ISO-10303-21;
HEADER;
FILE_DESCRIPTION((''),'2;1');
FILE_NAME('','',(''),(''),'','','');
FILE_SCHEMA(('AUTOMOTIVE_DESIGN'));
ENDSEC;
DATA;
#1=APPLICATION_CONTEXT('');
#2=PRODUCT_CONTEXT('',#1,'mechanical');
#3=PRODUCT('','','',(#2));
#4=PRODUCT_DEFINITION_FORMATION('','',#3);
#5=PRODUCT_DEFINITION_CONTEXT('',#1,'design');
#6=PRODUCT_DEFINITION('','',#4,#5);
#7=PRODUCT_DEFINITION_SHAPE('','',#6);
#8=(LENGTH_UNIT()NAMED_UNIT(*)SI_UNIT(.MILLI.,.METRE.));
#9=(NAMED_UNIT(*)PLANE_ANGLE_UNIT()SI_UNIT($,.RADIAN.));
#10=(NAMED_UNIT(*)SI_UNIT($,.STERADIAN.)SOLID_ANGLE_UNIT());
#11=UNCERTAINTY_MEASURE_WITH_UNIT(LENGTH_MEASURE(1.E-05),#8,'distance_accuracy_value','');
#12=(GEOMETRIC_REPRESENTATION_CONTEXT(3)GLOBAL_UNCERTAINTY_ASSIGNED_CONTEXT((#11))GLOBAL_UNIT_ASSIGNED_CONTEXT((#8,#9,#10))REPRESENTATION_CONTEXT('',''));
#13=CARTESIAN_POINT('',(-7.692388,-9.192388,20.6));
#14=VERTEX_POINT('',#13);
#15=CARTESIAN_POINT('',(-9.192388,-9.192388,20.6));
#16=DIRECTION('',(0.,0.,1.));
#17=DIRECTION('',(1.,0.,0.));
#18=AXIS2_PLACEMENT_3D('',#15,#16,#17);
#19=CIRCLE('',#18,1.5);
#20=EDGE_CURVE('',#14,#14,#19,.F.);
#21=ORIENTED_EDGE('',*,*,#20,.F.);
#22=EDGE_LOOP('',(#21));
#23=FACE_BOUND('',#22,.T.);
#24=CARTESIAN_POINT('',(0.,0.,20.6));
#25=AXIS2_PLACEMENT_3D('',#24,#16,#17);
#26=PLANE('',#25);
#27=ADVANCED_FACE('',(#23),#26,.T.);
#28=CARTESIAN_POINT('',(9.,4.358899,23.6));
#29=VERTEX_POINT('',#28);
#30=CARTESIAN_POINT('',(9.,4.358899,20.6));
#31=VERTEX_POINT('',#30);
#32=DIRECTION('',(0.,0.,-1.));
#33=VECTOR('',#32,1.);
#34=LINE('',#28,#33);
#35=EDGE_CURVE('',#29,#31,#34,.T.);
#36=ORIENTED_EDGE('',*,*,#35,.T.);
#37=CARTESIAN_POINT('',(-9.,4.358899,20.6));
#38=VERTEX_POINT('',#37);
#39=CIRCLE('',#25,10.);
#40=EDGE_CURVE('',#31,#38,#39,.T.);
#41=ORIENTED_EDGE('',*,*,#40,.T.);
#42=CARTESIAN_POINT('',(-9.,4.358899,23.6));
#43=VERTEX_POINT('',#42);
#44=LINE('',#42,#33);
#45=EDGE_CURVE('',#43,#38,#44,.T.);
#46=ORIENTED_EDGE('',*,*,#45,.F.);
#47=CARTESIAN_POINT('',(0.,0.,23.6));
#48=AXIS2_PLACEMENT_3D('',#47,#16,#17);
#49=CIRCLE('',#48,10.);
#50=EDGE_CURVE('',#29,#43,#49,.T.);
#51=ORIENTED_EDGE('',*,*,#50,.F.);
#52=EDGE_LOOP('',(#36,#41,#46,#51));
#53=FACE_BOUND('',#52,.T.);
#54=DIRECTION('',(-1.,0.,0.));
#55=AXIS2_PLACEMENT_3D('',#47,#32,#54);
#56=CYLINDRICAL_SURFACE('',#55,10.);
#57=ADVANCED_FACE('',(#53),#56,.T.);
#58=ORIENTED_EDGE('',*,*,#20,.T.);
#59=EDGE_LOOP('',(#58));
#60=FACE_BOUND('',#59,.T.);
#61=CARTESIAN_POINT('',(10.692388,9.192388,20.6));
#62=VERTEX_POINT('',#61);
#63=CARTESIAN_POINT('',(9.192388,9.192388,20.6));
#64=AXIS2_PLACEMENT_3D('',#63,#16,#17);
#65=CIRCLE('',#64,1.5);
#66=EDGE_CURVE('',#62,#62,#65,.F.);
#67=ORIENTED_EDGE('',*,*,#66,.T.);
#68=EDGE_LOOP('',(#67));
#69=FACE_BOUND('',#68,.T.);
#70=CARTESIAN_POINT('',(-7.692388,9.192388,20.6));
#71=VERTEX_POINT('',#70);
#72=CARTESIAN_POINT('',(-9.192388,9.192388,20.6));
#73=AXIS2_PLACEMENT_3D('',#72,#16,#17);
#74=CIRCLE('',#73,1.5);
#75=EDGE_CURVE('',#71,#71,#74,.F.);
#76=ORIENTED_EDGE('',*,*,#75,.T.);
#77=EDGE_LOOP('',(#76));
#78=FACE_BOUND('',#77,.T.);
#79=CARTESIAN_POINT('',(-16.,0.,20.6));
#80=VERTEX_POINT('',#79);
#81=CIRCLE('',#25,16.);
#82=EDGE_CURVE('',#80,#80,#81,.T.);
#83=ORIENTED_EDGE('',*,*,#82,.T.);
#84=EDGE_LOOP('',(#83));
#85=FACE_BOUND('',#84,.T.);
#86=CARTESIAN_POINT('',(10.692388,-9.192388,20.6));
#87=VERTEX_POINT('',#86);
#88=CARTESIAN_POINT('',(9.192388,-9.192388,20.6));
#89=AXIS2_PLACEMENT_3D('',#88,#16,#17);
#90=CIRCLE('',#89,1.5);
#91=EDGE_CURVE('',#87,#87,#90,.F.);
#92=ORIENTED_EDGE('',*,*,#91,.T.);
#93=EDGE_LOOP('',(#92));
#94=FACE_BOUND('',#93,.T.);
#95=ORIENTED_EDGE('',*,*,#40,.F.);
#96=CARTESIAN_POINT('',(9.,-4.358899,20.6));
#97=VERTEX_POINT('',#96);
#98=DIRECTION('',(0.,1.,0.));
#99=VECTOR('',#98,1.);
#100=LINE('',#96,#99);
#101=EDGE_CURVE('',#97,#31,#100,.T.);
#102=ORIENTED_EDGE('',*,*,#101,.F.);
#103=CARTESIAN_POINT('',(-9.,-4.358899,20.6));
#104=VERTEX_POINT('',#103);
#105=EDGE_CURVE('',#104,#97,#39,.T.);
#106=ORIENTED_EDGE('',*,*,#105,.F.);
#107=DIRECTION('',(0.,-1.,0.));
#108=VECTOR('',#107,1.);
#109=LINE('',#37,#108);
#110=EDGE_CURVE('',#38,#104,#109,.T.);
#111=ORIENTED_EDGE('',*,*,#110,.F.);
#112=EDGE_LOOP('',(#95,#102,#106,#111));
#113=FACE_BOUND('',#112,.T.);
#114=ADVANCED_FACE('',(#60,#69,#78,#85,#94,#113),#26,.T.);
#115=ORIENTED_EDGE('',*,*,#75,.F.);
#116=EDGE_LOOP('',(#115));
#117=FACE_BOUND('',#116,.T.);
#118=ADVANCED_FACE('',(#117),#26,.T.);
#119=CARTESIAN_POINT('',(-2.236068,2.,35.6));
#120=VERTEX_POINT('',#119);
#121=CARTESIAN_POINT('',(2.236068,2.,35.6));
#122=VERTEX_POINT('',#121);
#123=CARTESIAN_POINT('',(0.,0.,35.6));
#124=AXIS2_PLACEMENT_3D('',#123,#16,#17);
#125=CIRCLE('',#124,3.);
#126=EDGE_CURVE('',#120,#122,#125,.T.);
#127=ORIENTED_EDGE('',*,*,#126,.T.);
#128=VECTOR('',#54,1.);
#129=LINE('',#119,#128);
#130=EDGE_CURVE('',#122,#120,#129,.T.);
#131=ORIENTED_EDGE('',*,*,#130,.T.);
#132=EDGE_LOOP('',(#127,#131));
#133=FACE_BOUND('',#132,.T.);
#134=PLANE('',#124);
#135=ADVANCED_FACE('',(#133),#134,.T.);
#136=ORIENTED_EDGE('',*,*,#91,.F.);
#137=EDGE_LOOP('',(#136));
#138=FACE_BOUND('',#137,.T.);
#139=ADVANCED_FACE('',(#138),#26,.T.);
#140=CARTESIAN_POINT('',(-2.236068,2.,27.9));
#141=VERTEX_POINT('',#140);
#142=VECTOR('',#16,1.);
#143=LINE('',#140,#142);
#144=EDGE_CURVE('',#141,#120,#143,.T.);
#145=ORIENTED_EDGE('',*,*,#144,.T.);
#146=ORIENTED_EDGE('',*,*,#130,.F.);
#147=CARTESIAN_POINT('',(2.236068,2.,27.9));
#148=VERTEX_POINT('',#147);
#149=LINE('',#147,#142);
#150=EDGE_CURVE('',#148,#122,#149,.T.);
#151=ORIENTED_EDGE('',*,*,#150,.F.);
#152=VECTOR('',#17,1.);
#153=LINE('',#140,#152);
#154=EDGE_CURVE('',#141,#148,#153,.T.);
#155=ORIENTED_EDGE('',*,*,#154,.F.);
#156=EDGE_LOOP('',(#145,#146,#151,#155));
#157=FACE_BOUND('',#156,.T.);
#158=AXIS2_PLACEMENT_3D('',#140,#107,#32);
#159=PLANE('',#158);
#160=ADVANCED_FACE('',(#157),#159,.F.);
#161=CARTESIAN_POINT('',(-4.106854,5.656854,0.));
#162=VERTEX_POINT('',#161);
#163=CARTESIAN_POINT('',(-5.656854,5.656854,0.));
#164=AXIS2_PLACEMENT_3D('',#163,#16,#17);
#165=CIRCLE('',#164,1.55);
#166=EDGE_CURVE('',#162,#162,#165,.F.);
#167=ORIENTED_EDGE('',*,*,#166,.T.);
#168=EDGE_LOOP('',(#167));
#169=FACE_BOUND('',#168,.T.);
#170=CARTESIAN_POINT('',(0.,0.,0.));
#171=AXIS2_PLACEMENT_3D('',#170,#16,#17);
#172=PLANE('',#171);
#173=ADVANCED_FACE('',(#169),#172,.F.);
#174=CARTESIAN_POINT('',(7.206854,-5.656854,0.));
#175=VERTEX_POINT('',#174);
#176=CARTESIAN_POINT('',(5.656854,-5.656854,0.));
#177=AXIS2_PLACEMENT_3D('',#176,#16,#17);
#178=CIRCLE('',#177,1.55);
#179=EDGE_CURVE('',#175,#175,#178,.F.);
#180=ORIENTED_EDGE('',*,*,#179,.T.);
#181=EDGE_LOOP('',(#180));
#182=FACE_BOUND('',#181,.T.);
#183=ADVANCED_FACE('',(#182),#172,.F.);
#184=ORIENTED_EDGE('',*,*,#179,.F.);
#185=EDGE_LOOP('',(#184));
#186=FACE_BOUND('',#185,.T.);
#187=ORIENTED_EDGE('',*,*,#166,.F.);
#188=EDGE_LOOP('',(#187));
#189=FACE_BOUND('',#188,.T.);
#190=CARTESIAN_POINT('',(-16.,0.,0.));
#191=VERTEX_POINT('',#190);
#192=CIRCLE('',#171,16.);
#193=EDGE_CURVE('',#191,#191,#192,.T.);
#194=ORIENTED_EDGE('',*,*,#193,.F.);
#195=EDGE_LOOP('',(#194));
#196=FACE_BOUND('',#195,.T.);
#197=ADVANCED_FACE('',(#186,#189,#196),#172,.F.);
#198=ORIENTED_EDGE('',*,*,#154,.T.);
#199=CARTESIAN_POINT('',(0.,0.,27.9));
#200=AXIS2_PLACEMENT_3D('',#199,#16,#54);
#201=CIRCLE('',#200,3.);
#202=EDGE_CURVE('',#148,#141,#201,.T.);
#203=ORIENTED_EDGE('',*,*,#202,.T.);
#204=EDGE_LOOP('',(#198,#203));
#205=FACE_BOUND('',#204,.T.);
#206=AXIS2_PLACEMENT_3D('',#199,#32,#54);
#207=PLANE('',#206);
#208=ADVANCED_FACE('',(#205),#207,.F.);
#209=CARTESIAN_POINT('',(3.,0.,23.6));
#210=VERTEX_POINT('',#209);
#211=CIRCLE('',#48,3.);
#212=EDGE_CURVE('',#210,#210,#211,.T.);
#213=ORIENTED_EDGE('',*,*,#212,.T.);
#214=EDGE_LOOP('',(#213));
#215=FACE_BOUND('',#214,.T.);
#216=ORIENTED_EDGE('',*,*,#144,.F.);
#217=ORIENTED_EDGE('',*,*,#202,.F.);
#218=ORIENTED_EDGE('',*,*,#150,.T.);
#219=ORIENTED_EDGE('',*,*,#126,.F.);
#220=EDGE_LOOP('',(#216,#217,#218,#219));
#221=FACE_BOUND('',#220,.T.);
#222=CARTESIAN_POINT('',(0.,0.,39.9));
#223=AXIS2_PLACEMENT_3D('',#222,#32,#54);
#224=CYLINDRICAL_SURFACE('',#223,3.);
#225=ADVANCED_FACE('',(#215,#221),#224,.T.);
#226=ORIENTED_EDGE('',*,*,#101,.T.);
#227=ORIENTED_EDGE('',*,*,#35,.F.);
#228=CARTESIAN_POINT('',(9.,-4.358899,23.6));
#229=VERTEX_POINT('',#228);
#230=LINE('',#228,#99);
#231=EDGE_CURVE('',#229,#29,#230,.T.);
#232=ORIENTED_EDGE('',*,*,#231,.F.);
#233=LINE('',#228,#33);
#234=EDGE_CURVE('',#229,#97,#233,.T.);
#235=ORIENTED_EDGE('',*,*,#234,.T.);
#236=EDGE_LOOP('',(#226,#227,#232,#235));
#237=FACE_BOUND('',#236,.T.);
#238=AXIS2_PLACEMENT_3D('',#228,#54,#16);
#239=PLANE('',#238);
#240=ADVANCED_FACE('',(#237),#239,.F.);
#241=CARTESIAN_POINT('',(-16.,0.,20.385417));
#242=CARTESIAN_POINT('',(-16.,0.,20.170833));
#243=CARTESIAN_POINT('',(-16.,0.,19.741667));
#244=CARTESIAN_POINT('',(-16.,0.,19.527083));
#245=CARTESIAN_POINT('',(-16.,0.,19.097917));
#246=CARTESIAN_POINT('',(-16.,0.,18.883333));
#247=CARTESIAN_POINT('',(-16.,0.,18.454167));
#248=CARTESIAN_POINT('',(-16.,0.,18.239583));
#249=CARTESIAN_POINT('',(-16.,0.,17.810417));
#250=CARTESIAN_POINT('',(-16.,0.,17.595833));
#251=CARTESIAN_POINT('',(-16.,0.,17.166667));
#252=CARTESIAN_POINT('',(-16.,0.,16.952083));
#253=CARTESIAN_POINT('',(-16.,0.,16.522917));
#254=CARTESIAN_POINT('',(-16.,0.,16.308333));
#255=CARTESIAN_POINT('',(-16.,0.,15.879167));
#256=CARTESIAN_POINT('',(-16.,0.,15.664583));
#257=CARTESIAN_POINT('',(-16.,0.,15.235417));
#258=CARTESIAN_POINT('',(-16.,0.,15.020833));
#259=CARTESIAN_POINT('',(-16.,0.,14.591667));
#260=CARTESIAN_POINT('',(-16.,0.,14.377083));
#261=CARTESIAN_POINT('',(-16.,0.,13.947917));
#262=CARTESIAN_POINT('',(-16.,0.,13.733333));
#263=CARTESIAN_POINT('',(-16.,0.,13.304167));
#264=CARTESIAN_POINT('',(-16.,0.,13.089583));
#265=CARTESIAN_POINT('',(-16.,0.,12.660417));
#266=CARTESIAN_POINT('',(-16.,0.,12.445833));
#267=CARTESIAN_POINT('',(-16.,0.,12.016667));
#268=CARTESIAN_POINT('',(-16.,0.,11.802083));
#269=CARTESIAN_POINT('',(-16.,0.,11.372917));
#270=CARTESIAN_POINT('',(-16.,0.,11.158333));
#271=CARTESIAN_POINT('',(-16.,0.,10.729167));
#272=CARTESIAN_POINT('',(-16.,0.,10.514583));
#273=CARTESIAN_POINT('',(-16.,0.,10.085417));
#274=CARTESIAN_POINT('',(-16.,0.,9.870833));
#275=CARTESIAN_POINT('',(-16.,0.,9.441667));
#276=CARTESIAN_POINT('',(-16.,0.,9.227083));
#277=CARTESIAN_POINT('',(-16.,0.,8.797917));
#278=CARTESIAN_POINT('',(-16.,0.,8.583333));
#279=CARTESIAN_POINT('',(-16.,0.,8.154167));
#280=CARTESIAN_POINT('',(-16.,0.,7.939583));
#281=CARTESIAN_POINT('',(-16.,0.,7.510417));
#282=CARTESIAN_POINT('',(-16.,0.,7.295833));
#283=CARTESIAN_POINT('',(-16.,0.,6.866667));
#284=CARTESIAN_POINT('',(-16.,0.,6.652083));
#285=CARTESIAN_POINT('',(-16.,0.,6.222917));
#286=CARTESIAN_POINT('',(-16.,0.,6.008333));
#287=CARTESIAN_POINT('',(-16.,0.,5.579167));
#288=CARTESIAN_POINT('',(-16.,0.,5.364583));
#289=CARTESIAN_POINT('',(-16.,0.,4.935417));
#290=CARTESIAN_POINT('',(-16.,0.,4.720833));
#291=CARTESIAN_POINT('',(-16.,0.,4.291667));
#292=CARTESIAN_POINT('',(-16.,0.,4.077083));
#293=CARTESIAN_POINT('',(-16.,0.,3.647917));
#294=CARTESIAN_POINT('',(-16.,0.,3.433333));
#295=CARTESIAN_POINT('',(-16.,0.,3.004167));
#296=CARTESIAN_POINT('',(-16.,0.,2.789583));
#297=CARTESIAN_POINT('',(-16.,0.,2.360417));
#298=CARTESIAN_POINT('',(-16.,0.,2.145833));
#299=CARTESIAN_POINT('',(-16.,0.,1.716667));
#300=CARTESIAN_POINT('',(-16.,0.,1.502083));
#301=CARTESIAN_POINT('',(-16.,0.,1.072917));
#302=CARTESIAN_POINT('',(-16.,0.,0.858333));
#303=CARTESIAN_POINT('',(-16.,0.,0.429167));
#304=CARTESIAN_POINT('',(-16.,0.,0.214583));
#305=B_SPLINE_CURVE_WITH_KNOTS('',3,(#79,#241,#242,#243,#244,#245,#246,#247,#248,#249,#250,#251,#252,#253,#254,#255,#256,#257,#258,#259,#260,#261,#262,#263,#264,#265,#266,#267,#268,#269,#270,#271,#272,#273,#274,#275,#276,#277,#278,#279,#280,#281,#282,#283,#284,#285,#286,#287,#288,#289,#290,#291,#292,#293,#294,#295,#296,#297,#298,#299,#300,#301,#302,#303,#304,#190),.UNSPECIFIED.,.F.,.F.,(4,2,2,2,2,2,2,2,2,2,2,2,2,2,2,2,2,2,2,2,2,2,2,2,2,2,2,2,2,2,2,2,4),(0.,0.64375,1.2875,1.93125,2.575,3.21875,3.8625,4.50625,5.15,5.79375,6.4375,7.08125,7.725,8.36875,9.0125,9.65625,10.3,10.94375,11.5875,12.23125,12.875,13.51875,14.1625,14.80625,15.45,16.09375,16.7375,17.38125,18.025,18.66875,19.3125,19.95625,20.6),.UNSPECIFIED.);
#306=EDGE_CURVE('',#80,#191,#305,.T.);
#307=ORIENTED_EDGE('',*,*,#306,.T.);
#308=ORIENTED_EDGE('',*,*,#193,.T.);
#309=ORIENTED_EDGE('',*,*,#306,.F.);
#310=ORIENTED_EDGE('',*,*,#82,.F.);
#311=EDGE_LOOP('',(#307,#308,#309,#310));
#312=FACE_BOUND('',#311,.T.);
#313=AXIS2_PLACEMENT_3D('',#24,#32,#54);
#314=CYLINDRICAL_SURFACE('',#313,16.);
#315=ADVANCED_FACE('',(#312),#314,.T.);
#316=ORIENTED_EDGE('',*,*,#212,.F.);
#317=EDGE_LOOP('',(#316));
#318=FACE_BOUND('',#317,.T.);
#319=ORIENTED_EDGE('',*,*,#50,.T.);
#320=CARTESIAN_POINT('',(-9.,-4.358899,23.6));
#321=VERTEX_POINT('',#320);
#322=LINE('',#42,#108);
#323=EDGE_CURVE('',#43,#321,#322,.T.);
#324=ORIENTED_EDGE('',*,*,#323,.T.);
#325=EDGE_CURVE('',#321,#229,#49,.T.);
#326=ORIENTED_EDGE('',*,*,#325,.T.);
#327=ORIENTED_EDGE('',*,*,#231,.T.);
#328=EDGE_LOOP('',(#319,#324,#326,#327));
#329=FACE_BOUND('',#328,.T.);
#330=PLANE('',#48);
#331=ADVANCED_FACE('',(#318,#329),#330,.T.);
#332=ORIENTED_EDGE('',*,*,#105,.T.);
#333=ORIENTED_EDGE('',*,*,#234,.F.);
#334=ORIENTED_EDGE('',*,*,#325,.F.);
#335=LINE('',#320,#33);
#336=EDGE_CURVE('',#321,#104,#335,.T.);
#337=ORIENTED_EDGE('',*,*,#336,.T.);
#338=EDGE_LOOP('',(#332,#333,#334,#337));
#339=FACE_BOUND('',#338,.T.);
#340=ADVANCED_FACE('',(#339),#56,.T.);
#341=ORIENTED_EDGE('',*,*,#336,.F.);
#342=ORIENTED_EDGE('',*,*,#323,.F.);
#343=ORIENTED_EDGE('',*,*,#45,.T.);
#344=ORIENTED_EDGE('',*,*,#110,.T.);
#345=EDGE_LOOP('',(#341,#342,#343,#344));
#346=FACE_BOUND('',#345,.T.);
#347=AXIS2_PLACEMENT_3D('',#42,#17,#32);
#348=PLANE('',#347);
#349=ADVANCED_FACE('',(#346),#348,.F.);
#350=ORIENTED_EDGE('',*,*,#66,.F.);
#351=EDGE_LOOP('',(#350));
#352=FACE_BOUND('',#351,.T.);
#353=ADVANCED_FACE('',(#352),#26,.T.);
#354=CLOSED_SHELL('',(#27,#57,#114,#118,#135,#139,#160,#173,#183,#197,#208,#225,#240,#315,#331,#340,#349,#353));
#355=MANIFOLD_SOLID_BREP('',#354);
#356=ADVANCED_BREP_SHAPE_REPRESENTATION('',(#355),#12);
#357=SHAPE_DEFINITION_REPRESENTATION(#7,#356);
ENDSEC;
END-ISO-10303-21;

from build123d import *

# Parameters (mm, degrees)
SKETCH_1_R          = 16
EXTRUDE_1_DEPTH     = 20.6
EXTRUDE_2_DEPTH     = 3
SKETCH_3_R          = 3
EXTRUDE_3_DEPTH     = 16.3
CUT_EXTRUDE_START   = -12
CUT_EXTRUDE_1_DEPTH = 12
CUT_EXTRUDE_START_2 = -4.3
SKETCH_7_R          = 3
CUT_EXTRUDE_2_DEPTH = 4.3


with BuildPart() as part:
    # ｽｹｯﾁ1 → ﾎﾞｽ - 押し出し1 (new body)
    with BuildSketch(Plane.XY):
        with Locations(Location((0, 0, 0), (0, 0, 180))):
            Circle(SKETCH_1_R)
    extrude(amount=EXTRUDE_1_DEPTH)

    # ｽｹｯﾁ2 → ﾎﾞｽ - 押し出し2 (add)
    with BuildSketch(Plane.XY.offset(20.6)):
        with BuildLine():
            Line((-9, 4.358898944), (-9, -4.358898944))
            ThreePointArc((-9, -4.358898944), (0, -10), (9, -4.358898944))
            Line((9, -4.358898944), (9, 4.358898944))
            ThreePointArc((9, 4.358898944), (0, 10), (-9, 4.358898944))
        make_face()
    extrude(amount=EXTRUDE_2_DEPTH)

    # ｽｹｯﾁ3 → ﾎﾞｽ - 押し出し3 (add)
    with BuildSketch(Plane.XY.offset(23.6)):
        Circle(SKETCH_3_R)
    extrude(amount=EXTRUDE_3_DEPTH)

    # ｽｹｯﾁ4 → ｶｯﾄ - 押し出し1 (cut)
    with BuildSketch(Plane.XY.offset(39.9).offset(CUT_EXTRUDE_START)):
        with BuildLine():
            Line((-2.236067977, 2), (2.236067977, 2))
            ThreePointArc((2.236067977, 2), (0, 3), (-2.236067977, 2))
        make_face()
    extrude(amount=CUT_EXTRUDE_1_DEPTH, mode=Mode.SUBTRACT)

    # ｽｹｯﾁ7 → ｶｯﾄ - 押し出し2 (cut)
    with BuildSketch(Plane.XY.offset(39.9).offset(CUT_EXTRUDE_START_2)):
        with Locations(Location((0, 0, 0), (0, 0, 138.189685104))):
            Circle(SKETCH_7_R)
    extrude(amount=CUT_EXTRUDE_2_DEPTH, mode=Mode.SUBTRACT)


solid = part.part
